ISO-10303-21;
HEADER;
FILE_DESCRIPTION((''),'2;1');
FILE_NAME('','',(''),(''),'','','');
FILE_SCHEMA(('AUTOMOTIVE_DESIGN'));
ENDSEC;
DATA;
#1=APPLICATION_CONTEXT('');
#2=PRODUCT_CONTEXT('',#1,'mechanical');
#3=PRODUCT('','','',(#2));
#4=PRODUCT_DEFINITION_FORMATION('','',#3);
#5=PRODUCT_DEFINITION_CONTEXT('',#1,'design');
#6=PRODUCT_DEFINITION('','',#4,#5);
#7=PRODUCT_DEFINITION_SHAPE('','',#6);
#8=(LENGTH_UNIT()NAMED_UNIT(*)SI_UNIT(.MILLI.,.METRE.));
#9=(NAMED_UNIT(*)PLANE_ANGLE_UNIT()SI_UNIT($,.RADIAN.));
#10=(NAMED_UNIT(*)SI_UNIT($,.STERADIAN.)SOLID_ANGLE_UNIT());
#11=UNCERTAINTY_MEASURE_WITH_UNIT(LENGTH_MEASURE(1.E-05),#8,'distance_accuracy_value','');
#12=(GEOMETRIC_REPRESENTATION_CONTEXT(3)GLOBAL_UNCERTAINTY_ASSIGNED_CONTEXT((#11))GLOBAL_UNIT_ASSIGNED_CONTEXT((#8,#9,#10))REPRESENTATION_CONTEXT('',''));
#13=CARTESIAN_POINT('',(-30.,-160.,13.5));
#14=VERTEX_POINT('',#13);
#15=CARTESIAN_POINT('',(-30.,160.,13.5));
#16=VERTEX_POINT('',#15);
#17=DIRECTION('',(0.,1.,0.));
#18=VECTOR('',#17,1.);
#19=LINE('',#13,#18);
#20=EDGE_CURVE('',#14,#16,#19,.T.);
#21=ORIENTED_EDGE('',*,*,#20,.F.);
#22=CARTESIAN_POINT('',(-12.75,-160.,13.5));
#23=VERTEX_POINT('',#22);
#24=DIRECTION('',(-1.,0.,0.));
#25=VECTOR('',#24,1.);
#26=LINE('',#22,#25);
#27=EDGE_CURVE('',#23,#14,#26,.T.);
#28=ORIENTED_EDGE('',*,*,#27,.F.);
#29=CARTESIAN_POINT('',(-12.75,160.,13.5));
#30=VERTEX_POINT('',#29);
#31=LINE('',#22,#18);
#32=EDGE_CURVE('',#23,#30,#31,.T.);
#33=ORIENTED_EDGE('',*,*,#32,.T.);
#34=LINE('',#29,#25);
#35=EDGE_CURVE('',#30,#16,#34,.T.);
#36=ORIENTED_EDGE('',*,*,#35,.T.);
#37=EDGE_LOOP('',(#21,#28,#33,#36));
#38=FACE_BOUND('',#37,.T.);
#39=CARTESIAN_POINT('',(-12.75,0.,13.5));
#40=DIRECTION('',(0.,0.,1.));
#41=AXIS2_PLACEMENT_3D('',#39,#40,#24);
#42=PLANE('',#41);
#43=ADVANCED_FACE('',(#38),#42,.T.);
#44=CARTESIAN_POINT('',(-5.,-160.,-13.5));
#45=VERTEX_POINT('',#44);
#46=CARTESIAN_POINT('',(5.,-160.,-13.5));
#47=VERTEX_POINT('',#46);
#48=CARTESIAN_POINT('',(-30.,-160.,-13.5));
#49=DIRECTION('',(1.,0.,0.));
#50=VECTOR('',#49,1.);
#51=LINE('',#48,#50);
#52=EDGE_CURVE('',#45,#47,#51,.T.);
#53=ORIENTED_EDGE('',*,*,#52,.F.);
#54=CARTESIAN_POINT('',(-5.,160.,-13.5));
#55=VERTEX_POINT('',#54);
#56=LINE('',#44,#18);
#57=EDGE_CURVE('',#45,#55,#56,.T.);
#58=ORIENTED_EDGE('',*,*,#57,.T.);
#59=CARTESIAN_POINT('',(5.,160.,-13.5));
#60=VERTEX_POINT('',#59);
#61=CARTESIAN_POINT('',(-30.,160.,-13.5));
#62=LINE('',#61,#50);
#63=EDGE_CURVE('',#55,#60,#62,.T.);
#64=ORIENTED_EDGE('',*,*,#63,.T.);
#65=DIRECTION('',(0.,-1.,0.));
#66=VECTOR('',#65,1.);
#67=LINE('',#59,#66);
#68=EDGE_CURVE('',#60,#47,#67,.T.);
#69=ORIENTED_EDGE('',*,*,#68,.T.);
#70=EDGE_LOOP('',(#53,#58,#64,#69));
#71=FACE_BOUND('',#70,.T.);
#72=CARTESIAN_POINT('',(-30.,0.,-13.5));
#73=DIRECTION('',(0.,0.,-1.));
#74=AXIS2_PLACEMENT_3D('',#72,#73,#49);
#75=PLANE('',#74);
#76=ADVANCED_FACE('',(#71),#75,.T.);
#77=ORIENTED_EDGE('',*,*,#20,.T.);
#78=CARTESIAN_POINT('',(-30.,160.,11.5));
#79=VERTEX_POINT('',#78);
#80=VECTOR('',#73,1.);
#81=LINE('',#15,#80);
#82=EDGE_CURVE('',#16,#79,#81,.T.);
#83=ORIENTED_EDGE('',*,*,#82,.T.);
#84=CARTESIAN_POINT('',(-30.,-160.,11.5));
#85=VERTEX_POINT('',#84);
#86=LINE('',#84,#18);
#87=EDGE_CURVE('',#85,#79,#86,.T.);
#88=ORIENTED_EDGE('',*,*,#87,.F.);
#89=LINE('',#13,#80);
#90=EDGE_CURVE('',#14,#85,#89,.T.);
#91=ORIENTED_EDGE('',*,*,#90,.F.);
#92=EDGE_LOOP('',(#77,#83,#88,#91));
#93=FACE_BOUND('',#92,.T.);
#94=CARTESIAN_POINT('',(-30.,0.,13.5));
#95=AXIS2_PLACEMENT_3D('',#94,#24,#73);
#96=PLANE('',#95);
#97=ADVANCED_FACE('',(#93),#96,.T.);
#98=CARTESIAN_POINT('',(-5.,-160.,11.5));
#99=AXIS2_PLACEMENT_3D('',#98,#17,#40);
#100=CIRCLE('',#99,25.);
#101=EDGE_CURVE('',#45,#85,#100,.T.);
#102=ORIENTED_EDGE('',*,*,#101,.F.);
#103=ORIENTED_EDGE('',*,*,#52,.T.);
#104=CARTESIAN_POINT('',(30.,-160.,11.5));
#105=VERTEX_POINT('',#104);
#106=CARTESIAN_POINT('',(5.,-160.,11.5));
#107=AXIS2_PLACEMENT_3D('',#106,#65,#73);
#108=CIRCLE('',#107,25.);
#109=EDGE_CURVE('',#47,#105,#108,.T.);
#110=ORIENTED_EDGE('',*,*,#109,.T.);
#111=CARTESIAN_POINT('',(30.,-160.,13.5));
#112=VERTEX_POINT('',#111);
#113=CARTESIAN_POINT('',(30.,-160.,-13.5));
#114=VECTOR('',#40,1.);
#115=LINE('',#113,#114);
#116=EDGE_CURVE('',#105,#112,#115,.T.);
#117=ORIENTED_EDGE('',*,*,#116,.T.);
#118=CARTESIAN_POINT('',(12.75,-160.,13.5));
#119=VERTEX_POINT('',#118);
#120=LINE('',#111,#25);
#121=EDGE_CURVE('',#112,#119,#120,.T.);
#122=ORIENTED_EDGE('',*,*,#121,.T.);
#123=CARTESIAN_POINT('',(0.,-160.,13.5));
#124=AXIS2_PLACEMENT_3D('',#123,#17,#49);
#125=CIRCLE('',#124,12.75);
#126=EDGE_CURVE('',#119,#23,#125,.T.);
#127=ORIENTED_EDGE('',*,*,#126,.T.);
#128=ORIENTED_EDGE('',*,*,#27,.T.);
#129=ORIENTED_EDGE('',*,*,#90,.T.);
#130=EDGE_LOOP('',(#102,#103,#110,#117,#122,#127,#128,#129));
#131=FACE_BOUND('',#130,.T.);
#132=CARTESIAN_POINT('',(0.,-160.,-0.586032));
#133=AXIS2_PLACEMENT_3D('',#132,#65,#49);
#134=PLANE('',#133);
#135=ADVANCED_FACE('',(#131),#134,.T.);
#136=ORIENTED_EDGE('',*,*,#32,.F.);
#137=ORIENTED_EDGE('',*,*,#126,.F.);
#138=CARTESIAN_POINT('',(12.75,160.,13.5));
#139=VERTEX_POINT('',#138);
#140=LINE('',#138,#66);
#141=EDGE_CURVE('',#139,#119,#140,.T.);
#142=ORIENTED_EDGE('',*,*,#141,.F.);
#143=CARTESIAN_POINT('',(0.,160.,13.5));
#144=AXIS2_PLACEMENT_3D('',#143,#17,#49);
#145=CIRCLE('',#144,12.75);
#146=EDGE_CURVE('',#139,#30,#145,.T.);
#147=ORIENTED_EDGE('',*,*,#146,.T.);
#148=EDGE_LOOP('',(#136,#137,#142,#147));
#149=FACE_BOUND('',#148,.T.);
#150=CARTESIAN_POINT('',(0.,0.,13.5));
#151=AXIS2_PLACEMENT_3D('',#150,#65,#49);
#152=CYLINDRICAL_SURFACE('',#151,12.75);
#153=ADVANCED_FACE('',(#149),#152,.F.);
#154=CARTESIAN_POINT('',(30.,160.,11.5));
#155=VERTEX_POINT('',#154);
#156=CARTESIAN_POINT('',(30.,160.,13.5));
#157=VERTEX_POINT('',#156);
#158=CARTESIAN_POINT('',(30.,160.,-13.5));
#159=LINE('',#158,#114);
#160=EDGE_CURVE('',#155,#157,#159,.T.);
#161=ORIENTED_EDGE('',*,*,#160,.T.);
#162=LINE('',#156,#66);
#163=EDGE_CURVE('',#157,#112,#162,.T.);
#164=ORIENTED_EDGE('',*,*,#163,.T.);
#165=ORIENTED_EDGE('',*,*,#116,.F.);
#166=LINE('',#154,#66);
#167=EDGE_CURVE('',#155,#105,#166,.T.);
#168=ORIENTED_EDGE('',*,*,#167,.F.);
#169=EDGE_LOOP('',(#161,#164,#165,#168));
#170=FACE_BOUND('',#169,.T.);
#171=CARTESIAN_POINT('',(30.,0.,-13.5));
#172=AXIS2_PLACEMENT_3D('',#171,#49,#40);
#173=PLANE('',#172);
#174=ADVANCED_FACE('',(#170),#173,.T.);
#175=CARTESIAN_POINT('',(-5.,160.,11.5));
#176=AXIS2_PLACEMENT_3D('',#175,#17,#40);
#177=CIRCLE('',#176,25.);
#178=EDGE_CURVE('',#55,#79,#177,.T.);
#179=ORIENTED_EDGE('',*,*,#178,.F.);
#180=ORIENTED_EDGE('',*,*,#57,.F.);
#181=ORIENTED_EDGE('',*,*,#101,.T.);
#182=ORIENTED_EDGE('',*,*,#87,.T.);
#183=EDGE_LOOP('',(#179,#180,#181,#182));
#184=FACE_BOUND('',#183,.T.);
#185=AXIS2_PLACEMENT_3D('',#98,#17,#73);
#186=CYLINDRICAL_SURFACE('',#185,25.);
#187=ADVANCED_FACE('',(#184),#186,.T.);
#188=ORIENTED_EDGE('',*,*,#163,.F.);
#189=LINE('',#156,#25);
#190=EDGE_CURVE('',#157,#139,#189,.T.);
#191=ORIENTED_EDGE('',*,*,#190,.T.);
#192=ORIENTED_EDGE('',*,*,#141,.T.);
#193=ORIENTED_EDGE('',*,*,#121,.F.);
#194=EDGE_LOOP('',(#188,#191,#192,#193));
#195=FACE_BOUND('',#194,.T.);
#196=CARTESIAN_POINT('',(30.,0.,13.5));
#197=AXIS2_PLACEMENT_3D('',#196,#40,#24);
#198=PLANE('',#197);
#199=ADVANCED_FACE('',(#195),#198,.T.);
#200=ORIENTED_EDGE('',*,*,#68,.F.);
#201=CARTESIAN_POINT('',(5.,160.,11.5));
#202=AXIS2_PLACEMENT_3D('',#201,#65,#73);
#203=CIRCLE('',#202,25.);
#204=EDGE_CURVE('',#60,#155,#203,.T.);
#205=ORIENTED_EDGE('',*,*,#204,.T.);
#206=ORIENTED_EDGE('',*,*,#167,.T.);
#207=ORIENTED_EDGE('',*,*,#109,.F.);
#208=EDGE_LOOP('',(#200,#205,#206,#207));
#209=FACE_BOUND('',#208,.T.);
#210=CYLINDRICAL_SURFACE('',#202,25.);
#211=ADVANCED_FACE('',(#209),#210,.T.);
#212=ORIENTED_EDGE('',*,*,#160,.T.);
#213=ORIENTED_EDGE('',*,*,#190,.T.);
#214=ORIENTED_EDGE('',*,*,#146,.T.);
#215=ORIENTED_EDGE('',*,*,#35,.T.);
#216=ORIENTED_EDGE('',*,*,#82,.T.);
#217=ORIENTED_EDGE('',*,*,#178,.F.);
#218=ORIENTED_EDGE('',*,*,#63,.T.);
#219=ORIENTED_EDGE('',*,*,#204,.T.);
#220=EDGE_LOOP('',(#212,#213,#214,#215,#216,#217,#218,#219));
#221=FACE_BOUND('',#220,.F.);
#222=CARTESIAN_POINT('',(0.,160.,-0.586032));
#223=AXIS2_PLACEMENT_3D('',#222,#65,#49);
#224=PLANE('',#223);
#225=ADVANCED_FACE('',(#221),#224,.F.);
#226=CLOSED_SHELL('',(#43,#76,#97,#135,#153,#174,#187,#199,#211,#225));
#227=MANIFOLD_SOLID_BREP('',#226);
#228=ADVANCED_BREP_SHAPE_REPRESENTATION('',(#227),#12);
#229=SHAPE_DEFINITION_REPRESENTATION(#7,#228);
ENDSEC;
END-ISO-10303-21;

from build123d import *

# Parameters (mm, degrees)
F1_DEPTH = 160
F2_R     = 25


with BuildPart() as f1:
    # F0 (on Front) → F1 (new body, symmetric)
    with BuildSketch(Plane.XZ):
        with BuildLine():
            Line((-30, -13.5), (30, -13.5))
            Line((30, -13.5), (30, 13.5))
            Line((30, 13.5), (12.75, 13.5))
            ThreePointArc((12.75, 13.5), (0, 0.75), (-12.75, 13.5))
            Line((-12.75, 13.5), (-30, 13.5))
            Line((-30, 13.5), (-30, -13.5))
        make_face()
    extrude(amount=F1_DEPTH, both=True)

    # F2
    f2_edges = [f1.edges().sort_by_distance(p)[0] for p in [
        (30, 0, -13.5),
        (-30, 0, -13.5),
    ]]
    fillet(f2_edges, radius=F2_R)


solid = f1.part
